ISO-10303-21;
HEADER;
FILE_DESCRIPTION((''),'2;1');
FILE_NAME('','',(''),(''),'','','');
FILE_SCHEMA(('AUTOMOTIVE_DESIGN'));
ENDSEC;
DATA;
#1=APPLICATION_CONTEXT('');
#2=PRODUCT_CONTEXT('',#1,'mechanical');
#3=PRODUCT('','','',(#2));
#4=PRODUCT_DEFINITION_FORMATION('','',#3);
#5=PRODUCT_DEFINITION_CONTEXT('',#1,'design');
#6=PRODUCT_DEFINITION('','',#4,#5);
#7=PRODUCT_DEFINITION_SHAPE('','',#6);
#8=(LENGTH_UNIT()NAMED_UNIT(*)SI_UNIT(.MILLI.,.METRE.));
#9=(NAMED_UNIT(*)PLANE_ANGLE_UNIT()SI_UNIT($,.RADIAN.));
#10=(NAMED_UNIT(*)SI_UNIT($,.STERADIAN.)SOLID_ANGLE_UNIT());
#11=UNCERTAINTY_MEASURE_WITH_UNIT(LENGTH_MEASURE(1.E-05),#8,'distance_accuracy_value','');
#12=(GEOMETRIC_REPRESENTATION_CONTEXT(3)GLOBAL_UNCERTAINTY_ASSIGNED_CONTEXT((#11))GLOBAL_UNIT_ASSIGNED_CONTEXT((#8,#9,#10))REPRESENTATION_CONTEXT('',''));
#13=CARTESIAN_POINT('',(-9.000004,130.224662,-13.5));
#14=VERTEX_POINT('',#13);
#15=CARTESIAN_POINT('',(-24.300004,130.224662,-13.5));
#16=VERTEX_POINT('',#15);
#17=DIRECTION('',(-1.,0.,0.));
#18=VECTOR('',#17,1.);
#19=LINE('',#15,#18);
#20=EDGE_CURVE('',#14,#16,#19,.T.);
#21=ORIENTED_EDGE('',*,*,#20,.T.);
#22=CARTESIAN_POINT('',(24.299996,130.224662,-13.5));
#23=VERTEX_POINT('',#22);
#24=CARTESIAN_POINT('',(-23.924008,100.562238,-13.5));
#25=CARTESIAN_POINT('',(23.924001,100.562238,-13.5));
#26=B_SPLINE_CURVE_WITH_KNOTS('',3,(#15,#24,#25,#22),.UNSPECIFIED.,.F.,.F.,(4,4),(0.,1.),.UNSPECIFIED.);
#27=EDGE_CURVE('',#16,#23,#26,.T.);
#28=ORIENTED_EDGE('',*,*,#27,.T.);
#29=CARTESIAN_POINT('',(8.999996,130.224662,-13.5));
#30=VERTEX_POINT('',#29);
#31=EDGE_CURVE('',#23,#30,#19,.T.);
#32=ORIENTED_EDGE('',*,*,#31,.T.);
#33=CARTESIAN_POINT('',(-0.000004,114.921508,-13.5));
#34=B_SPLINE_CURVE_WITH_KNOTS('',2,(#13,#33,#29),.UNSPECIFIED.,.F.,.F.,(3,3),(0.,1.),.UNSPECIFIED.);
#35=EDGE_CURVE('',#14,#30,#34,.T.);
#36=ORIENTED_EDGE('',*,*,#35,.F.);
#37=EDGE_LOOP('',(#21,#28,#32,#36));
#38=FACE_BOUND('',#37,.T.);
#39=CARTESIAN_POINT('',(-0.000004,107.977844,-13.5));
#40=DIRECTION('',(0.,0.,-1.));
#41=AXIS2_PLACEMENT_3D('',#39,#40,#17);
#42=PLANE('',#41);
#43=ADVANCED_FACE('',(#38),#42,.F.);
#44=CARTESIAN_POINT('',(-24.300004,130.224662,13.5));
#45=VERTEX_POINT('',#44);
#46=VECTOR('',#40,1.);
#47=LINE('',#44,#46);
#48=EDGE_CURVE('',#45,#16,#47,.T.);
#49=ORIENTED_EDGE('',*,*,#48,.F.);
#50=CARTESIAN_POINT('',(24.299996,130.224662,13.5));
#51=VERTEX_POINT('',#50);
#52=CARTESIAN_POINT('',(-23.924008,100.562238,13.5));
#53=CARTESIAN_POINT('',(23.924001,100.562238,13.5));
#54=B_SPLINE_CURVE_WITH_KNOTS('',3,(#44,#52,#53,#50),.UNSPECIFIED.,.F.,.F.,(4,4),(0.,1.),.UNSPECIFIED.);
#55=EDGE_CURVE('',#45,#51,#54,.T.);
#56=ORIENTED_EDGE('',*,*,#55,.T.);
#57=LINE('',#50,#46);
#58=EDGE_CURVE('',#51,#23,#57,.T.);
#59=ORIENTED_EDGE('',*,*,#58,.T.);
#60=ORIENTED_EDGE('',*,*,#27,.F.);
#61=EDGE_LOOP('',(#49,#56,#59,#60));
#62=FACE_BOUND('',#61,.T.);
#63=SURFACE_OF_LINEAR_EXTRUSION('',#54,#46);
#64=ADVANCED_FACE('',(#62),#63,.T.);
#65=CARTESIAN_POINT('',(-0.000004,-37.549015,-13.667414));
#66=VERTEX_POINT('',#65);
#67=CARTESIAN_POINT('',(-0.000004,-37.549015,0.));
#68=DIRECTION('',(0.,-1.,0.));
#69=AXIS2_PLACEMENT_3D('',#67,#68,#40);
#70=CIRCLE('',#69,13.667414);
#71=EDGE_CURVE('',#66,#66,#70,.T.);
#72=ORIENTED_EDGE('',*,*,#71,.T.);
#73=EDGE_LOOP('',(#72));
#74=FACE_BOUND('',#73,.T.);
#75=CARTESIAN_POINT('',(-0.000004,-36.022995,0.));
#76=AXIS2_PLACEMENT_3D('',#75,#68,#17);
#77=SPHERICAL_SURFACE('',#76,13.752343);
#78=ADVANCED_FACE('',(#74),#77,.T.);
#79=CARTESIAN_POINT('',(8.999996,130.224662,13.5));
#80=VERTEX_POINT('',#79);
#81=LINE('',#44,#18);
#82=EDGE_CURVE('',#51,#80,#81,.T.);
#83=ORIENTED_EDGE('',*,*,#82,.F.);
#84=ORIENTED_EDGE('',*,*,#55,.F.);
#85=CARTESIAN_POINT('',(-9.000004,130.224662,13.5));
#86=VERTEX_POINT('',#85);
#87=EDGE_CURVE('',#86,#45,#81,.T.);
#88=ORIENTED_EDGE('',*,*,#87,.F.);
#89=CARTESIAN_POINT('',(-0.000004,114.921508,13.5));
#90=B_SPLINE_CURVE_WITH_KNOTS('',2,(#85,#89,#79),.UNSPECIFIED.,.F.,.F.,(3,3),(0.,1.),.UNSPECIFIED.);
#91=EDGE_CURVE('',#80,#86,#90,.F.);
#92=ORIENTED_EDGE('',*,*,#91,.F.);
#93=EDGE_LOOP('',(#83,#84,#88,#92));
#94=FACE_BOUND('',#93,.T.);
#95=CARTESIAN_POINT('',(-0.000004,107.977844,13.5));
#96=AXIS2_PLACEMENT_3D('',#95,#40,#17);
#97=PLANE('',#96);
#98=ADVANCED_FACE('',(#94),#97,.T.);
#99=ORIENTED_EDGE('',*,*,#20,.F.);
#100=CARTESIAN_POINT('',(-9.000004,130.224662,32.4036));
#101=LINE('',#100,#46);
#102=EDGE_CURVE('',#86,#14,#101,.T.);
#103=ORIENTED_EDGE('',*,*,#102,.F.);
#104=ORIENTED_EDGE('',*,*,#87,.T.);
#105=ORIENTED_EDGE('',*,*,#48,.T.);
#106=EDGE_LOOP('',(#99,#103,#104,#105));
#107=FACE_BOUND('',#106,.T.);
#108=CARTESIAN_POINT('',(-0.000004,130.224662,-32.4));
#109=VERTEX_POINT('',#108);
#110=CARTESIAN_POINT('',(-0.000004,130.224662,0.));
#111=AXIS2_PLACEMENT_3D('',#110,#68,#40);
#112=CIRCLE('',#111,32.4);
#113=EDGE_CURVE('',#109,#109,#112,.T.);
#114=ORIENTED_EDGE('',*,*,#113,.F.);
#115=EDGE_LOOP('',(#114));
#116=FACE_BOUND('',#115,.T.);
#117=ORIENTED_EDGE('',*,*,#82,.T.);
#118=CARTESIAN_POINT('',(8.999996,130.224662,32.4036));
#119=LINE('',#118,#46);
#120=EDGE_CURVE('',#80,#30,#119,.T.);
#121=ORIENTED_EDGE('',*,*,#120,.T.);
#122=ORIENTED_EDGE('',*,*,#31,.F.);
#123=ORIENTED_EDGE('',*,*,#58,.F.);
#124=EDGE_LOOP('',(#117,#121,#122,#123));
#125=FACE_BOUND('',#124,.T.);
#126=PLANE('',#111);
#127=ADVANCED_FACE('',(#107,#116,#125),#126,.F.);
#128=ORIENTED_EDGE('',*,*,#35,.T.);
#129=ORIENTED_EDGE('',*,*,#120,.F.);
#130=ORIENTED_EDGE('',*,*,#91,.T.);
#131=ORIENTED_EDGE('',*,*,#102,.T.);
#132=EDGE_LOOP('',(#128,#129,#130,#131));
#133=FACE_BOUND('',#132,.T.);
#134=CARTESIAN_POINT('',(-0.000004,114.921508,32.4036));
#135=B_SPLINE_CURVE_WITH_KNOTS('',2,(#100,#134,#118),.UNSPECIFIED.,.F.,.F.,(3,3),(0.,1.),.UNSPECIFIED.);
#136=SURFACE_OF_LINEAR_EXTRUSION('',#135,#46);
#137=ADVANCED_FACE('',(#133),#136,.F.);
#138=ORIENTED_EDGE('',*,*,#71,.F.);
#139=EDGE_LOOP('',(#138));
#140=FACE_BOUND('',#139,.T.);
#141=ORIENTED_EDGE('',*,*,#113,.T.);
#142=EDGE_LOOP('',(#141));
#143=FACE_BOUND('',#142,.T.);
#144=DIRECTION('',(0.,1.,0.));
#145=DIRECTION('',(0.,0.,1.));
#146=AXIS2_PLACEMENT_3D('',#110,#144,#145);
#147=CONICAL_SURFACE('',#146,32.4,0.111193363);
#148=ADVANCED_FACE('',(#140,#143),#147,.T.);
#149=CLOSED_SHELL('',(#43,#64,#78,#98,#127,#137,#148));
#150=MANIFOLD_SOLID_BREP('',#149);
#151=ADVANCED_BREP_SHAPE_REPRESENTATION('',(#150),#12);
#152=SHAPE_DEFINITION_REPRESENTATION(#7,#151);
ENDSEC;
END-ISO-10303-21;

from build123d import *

# Parameters (mm, degrees)
ENL_V_MAT_EXTRU_1_DEPTH      = 7.5
ENL_V_MAT_EXTRU_1_DEPTH_BACK = 7.5
BOSS_EXTRU_1_REACH           = 27.5
ECHELLE1_SCALE               = 1.8


with BuildPart() as part:
    # Esquisse1 → R_volution1 (revolve)
    with BuildSketch(Plane.XY):
        with BuildLine():
            Line((0, 0), (0, 100))
            Line((0, 100), (-18, 100))
            Line((-18, 100), (-7.593007693, 6.792401612))
            ThreePointArc((-7.593007693, 6.792401612), (-5.093880777, 1.945904787), (0, 0))
        make_face()
    revolve(axis=Axis((0, 0, 0), (0, 1, 0)))

    # Esquisse2 → Enl_v. mat.-Extru.1 (cut, two sides)
    with BuildSketch(Plane.XY) as enl_v_mat_extru_1_sk:
        with BuildLine():
            Line((-13.5, 100), (13.5, 100))
            add(Edge.make_bspline(
                [(-13.5, 100), (-13.291113541, 83.520875666), (13.291113541, 83.520875666), (13.5, 100)],
                knots=[0, 0, 0, 0, 1, 1, 1, 1], degree=3))
        make_face()
    extrude(amount=ENL_V_MAT_EXTRU_1_DEPTH, mode=Mode.SUBTRACT)
    extrude(enl_v_mat_extru_1_sk.sketch, amount=-ENL_V_MAT_EXTRU_1_DEPTH_BACK, mode=Mode.SUBTRACT)

    # Esquisse3 → Boss.-Extru.1 (add, up to next)
    with BuildSketch(Plane.XY.offset(-7.5), mode=Mode.PRIVATE) as boss_extru_1_sk1:
        with BuildLine():
            Line((-5, 100), (5, 100))
            add(Edge.make_bspline(
                [(-5, 100), (0, 91.498247822), (5, 100)],
                knots=[0, 0, 0, 1, 1, 1], degree=2))
        make_face()
    boss_extru_1_tool1 = extrude(boss_extru_1_sk1.sketch, amount=BOSS_EXTRU_1_REACH, mode=Mode.PRIVATE) - part.part
    add(boss_extru_1_tool1.solids().sort_by_distance((0, 98.29965, -7.5))[0])


with BuildPart() as part_1:
    # Echelle1: scaled about (-4e-09, 62.219241992, 3e-09)
    add(part.part.scale(ECHELLE1_SCALE).moved(Location((3e-09, -49.775393594, -2e-09))))


solid = part_1.part
